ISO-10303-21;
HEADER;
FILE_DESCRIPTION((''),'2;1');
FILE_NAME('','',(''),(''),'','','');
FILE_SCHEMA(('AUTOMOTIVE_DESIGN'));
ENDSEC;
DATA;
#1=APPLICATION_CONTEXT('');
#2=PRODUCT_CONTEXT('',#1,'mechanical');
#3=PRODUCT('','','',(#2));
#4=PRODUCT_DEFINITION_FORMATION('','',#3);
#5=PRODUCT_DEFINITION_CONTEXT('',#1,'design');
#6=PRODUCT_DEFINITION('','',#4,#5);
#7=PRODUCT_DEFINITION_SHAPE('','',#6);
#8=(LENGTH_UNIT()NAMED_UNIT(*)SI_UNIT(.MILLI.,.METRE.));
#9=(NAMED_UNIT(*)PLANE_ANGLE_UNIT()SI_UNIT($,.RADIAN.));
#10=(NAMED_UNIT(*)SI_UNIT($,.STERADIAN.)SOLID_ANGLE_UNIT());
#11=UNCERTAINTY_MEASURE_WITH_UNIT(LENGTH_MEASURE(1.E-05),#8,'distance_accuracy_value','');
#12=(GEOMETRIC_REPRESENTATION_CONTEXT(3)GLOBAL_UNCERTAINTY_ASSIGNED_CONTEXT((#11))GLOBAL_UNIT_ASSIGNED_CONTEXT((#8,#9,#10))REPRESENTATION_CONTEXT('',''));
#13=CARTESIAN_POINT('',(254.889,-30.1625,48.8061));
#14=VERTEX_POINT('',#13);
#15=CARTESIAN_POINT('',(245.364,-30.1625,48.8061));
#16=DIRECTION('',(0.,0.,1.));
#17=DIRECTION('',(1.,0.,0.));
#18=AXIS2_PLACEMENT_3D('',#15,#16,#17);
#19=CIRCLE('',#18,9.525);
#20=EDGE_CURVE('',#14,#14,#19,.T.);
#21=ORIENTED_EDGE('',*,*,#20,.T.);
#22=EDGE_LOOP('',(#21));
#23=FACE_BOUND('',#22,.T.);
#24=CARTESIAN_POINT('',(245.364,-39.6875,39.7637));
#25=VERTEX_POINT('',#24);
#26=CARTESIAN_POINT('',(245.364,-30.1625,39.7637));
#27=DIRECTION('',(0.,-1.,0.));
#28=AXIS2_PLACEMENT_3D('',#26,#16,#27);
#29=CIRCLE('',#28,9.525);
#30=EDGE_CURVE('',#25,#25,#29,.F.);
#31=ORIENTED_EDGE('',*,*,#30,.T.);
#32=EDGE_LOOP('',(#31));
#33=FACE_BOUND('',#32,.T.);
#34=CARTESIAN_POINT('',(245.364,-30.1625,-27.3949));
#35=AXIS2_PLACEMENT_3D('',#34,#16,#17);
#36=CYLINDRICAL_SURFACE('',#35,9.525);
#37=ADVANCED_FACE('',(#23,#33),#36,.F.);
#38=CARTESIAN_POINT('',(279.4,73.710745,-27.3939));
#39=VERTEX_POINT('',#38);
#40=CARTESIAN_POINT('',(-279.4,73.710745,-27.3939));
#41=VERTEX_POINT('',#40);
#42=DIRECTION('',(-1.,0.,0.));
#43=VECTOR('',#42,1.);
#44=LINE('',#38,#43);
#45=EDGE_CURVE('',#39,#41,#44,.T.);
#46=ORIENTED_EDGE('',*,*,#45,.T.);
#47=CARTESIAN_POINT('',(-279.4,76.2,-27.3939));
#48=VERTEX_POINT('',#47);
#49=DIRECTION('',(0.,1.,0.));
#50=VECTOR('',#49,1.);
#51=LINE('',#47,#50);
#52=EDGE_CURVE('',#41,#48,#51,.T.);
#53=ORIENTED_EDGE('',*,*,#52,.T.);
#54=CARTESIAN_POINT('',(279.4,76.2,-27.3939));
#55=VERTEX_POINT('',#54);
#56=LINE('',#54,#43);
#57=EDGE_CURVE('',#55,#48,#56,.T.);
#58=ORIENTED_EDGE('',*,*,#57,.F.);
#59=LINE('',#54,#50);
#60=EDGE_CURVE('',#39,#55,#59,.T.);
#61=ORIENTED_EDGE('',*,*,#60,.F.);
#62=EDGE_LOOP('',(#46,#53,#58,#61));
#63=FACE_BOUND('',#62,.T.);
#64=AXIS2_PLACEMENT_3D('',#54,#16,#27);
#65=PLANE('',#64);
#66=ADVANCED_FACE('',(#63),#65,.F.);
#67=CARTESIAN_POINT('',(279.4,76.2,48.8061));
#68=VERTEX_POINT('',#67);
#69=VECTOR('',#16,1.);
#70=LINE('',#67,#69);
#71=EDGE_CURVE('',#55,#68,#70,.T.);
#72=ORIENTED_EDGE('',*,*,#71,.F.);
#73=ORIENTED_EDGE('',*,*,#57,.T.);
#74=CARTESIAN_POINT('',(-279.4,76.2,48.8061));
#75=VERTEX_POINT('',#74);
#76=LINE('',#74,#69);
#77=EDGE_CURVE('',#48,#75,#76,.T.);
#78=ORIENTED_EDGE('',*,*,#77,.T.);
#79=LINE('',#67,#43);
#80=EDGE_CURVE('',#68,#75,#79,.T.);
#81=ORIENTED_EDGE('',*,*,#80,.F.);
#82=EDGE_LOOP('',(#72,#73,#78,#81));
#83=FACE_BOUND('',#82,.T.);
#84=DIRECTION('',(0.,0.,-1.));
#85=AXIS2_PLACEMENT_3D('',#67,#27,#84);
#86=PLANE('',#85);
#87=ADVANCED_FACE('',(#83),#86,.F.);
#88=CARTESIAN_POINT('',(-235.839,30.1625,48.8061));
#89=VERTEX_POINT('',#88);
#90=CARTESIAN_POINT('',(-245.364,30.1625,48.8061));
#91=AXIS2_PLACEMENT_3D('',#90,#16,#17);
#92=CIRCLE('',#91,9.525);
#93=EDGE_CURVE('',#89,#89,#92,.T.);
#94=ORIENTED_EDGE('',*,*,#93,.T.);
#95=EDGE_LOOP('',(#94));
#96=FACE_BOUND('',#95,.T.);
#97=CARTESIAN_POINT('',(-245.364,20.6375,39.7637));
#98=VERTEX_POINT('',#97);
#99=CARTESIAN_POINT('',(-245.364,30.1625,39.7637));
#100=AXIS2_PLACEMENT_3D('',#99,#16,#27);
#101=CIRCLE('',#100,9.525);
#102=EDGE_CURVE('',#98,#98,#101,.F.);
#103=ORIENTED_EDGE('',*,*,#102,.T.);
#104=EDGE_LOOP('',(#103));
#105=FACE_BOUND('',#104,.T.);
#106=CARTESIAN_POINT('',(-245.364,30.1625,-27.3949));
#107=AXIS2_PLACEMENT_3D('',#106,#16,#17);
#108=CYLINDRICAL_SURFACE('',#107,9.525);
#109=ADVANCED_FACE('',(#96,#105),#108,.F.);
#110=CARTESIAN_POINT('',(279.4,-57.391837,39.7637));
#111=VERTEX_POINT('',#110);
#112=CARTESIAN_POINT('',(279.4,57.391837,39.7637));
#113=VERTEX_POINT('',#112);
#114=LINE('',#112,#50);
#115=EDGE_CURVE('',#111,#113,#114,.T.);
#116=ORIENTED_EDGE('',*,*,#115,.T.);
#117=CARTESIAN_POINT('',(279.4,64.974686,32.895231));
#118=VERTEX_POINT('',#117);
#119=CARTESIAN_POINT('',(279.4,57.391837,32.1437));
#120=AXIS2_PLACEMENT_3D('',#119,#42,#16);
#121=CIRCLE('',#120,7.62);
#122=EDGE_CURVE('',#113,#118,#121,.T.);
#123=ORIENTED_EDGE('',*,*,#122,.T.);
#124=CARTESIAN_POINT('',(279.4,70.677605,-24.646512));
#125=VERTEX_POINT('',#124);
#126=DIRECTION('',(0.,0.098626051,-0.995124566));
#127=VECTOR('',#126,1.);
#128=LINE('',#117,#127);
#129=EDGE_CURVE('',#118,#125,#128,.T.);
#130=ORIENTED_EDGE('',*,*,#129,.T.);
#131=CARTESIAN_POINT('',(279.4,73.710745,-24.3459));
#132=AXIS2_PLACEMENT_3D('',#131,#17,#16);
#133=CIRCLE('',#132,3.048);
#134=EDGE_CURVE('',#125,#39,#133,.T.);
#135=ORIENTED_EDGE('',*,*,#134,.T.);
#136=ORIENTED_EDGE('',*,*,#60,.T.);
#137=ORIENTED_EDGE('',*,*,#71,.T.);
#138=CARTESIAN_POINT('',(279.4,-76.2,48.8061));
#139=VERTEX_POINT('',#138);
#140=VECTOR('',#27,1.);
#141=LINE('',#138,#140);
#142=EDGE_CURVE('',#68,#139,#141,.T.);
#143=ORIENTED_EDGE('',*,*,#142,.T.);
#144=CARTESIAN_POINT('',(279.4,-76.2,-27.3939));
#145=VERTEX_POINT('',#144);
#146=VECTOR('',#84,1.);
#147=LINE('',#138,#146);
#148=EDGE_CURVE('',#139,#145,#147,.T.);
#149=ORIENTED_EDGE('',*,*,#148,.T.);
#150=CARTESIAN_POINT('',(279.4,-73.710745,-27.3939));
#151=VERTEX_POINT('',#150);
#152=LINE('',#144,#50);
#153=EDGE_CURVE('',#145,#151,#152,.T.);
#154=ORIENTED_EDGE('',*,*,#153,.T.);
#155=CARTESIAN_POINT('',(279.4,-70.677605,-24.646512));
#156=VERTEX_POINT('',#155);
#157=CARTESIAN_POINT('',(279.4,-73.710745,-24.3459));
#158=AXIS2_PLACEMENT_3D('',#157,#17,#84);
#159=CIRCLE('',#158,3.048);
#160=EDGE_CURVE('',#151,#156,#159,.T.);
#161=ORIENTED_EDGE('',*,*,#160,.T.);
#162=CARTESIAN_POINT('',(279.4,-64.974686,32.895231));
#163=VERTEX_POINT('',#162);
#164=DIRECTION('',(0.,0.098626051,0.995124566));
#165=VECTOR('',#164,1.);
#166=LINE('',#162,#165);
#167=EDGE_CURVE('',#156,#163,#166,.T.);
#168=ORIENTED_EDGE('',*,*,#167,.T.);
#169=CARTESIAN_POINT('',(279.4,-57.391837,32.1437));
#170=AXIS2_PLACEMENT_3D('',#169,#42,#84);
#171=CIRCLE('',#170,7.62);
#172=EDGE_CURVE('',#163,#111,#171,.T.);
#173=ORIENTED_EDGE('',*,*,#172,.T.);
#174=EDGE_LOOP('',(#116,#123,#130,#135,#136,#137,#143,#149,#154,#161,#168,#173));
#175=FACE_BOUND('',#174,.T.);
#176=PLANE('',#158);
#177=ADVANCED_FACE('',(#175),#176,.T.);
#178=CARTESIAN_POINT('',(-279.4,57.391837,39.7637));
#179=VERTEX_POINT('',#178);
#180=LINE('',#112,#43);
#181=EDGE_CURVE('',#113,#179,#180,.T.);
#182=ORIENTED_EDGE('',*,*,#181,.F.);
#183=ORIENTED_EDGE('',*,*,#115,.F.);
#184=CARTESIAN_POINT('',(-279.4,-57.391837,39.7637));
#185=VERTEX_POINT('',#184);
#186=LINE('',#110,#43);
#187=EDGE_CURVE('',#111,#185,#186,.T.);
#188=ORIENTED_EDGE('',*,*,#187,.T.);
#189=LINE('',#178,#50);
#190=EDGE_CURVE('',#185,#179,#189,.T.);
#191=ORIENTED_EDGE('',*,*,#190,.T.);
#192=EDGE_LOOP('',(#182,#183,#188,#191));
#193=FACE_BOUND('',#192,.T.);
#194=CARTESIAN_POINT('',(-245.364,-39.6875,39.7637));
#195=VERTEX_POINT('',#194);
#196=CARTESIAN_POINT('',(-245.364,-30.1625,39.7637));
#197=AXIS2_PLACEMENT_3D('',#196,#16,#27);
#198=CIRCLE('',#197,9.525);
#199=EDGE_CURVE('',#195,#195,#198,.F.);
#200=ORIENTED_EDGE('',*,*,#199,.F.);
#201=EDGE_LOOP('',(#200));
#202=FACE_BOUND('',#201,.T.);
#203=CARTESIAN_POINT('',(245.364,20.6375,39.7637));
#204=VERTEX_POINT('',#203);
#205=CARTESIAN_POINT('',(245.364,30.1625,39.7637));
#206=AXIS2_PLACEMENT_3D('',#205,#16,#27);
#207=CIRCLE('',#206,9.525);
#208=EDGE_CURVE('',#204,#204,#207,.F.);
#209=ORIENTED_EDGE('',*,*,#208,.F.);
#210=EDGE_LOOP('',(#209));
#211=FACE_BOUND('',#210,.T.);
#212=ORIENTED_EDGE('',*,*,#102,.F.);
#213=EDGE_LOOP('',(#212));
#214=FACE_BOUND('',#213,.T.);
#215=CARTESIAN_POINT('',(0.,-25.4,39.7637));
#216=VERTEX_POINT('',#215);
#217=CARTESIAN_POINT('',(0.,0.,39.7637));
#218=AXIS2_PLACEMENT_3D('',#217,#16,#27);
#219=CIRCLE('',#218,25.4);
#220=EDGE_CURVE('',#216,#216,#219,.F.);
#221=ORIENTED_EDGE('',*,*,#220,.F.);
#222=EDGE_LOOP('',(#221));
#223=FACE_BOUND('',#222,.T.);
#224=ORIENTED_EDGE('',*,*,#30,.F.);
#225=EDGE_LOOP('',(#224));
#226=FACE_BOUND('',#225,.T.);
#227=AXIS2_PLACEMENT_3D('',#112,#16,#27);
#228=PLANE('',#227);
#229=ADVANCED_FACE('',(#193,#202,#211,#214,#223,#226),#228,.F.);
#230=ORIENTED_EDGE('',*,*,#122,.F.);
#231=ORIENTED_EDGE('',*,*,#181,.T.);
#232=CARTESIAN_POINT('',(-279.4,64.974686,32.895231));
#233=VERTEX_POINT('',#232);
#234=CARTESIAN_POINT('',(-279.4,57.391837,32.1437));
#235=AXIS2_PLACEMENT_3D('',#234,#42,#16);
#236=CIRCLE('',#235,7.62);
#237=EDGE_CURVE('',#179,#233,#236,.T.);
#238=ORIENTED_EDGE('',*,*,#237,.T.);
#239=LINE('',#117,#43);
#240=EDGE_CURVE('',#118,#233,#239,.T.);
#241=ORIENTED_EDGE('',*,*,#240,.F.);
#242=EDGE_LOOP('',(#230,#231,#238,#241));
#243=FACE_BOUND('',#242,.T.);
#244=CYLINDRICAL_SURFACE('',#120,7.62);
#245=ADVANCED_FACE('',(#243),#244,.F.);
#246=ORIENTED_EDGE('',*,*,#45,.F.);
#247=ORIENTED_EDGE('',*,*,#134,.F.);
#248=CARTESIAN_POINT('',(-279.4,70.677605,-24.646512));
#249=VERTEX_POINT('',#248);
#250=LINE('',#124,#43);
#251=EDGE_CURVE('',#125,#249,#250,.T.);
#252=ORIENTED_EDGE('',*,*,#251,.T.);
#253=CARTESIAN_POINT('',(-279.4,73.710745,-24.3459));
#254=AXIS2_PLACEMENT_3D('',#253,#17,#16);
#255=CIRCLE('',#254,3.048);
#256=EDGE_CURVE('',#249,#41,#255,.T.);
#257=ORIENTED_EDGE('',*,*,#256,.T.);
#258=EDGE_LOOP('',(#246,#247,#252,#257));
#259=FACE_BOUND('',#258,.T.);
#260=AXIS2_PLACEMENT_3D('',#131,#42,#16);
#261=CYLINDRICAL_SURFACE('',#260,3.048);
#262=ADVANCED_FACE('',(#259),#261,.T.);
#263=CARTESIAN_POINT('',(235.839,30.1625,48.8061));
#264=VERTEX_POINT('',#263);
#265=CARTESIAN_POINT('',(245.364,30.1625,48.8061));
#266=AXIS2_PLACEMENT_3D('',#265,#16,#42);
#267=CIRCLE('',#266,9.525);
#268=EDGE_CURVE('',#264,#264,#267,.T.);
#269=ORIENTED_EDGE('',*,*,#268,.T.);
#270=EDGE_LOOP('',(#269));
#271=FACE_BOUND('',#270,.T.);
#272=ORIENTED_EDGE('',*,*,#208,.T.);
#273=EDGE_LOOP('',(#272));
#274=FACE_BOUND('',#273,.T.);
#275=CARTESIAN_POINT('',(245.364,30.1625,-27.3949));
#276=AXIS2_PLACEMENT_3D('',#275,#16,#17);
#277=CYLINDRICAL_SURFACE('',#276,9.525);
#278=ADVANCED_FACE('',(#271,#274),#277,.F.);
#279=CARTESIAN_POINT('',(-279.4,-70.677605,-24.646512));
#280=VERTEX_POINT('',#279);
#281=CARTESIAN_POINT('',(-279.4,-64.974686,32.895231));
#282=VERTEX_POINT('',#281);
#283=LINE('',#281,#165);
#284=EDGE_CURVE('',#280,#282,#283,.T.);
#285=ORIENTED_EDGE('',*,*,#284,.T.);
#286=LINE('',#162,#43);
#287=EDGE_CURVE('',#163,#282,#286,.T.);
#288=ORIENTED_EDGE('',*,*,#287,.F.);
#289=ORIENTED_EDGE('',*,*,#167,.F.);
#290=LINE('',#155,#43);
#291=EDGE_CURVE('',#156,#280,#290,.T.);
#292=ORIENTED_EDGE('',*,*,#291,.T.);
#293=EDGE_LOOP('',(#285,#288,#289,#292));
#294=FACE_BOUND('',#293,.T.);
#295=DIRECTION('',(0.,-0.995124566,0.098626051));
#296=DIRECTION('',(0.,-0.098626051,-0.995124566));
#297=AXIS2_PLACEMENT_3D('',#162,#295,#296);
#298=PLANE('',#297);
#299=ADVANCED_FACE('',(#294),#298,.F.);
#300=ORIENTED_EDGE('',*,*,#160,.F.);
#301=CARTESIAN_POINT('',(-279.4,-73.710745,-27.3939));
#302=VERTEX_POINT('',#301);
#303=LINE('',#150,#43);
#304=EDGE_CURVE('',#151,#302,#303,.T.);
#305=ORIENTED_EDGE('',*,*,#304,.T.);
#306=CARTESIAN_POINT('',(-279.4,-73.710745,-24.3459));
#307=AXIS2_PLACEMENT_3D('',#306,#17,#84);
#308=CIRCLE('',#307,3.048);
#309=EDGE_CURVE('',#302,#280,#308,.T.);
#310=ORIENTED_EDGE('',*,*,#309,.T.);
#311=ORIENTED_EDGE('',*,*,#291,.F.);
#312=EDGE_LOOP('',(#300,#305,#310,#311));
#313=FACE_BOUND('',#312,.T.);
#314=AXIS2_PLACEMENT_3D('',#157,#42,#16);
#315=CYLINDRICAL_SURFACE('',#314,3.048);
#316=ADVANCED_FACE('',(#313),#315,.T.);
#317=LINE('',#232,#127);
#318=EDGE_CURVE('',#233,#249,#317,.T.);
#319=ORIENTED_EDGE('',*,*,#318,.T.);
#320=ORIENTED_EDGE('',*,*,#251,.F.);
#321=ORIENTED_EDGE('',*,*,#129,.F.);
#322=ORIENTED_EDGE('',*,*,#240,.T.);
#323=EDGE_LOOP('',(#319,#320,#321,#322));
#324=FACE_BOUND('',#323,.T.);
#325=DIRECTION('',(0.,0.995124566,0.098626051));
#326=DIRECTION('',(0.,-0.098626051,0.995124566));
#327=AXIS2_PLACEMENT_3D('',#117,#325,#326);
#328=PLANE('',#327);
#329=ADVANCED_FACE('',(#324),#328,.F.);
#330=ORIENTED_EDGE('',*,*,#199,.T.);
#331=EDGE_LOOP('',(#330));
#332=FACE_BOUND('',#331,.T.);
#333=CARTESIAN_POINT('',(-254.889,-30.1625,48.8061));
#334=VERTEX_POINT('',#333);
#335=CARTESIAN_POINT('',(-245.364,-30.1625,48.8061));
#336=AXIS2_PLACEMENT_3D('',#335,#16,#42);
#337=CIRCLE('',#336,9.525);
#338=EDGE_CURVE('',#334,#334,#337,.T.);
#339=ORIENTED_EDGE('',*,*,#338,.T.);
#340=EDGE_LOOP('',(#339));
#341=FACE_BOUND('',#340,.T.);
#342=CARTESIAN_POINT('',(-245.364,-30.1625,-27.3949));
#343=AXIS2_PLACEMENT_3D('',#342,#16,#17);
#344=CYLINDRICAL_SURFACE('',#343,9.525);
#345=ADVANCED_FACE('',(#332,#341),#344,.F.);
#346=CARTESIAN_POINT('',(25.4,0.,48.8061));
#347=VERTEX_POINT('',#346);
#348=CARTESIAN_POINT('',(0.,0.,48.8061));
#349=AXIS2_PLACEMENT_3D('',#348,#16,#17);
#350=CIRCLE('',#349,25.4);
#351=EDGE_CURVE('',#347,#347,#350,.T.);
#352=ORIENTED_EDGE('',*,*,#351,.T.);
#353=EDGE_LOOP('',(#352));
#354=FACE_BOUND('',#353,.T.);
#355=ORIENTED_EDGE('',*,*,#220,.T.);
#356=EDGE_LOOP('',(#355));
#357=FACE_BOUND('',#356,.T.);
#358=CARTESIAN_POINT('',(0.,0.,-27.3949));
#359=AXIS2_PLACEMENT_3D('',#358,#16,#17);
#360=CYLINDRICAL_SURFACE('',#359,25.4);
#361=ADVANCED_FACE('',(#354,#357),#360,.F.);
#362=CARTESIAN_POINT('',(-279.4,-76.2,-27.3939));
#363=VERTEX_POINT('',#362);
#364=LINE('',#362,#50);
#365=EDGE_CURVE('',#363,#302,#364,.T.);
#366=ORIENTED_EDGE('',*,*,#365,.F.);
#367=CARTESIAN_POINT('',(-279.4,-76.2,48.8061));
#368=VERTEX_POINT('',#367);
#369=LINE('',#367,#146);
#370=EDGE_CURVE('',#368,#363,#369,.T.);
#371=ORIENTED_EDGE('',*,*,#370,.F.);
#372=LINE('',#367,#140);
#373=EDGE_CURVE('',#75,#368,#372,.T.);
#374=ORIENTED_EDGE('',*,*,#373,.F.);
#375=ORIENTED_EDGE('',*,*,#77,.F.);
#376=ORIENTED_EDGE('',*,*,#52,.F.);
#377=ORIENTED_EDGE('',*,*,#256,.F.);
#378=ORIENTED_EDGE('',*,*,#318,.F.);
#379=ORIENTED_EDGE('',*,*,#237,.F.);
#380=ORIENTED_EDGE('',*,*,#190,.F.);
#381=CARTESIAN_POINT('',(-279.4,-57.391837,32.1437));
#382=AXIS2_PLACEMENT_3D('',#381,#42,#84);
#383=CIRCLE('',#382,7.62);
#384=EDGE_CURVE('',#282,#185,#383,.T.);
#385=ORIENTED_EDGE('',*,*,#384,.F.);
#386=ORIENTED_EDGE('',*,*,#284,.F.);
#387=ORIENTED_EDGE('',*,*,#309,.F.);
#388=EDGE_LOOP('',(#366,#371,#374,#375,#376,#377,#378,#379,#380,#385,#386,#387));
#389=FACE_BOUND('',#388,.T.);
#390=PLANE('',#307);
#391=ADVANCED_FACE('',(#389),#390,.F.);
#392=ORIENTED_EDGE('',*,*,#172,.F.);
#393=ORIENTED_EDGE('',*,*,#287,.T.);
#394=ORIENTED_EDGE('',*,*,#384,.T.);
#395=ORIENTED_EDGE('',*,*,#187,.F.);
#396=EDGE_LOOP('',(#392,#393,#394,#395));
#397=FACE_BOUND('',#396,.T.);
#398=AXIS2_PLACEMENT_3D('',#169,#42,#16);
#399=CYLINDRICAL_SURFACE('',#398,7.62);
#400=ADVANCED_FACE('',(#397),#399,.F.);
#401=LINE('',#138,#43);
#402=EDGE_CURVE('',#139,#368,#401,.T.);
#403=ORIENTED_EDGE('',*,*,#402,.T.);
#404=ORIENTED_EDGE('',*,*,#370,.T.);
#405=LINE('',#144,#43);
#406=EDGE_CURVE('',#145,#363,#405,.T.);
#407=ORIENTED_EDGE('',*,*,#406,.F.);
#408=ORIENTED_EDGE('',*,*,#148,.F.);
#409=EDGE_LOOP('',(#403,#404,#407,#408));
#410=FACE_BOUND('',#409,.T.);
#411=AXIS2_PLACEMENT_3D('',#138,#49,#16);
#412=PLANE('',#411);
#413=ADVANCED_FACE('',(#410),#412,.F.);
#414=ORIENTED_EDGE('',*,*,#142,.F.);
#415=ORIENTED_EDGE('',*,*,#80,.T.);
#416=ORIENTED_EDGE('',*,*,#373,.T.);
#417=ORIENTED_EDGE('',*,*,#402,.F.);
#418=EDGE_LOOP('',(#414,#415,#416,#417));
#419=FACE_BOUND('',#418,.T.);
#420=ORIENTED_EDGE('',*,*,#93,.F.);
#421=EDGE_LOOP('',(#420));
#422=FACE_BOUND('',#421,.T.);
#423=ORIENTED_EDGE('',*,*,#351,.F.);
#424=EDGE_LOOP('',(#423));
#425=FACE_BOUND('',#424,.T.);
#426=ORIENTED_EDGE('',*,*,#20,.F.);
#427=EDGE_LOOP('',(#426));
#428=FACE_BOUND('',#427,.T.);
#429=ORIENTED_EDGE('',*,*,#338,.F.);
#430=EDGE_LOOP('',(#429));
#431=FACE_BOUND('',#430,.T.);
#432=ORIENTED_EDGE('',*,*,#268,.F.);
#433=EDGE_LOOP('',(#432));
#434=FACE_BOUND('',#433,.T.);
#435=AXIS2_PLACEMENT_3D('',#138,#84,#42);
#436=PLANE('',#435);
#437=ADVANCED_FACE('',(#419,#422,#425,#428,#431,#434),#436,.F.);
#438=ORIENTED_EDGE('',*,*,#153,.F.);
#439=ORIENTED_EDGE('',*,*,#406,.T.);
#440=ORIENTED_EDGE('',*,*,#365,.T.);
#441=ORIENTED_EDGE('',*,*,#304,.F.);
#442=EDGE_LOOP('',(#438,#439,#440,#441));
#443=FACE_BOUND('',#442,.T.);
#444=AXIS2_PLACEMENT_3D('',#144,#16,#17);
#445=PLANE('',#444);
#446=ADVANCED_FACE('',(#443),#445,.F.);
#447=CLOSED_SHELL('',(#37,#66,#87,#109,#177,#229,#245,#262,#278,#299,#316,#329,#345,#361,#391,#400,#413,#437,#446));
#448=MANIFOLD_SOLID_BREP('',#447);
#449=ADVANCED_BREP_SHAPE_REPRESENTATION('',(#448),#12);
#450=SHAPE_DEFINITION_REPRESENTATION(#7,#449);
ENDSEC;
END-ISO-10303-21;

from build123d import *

# Parameters (mm, degrees)
BOSS_EXTRUDE1_DEPTH = 279.4
CUT_EXTRUDE1_REACH  = 78.2
SKETCH2_R           = 25.4
CUT_EXTRUDE2_REACH  = 78.2
SKETCH3_R           = 9.525


with BuildPart() as part:
    # Sketch1 → Boss-Extrude1 (new body, symmetric)
    with BuildSketch(Plane(origin=(0, 0, 0), x_dir=(0, 0, -1), z_dir=(1, 0, 0))):
        with BuildLine():
            Line((-48.8061, -76.2), (-48.8061, 76.2))
            Line((-48.8061, 76.2), (27.3939, 76.2))
            Line((27.3939, 76.2), (27.3939, 73.710744653))
            ThreePointArc((27.3939, 73.710744653), (26.604945151, 71.66452399), (24.646512202, 70.677604975))
            Line((24.646512202, 70.677604975), (-32.895230506, 64.974685943))
            ThreePointArc((-32.895230506, 64.974685943), (-37.791312879, 62.507388407), (-39.7637, 57.391836749))
            Line((-39.7637, 57.391836749), (-39.7637, -57.391836749))
            ThreePointArc((-39.7637, -57.391836749), (-37.791312879, -62.507388407), (-32.895230506, -64.974685943))
            Line((-32.895230506, -64.974685943), (24.646512202, -70.677604975))
            ThreePointArc((24.646512202, -70.677604975), (26.604945151, -71.66452399), (27.3939, -73.710744653))
            Line((27.3939, -73.710744653), (27.3939, -76.2))
            Line((27.3939, -76.2), (-48.8061, -76.2))
        make_face()
    extrude(amount=BOSS_EXTRUDE1_DEPTH, both=True)

    # Sketch2 → Cut-Extrude1 (cut, up to next)
    with BuildSketch(Plane.XY.offset(48.8061), mode=Mode.PRIVATE) as cut_extrude1_sk1:
        Circle(SKETCH2_R)
    cut_extrude1_tool1 = extrude(cut_extrude1_sk1.sketch, amount=-CUT_EXTRUDE1_REACH, mode=Mode.PRIVATE) & part.part
    add(cut_extrude1_tool1.solids().sort_by_distance((0, 0, 48.8061))[0], mode=Mode.SUBTRACT)

    # Sketch3 → Cut-Extrude2 (cut, up to next)
    with BuildSketch(Plane.XY.offset(48.8061), mode=Mode.PRIVATE) as cut_extrude2_sk1:
        with Locations((-245.364, 30.1625)):
            Circle(SKETCH3_R)
    cut_extrude2_tool1 = extrude(cut_extrude2_sk1.sketch, amount=-CUT_EXTRUDE2_REACH, mode=Mode.PRIVATE) & part.part
    add(cut_extrude2_tool1.solids().sort_by_distance((-245.364, 30.1625, 48.8061))[0], mode=Mode.SUBTRACT)
    # Sketch3 → Cut-Extrude2 (cut, up to next)
    with BuildSketch(Plane.XY.offset(48.8061), mode=Mode.PRIVATE) as cut_extrude2_sk2:
        with Locations((245.364, 30.1625)):
            Circle(SKETCH3_R)
    cut_extrude2_tool2 = extrude(cut_extrude2_sk2.sketch, amount=-CUT_EXTRUDE2_REACH, mode=Mode.PRIVATE) & part.part
    add(cut_extrude2_tool2.solids().sort_by_distance((245.364, 30.1625, 48.8061))[0], mode=Mode.SUBTRACT)
    # Sketch3 → Cut-Extrude2 (cut, up to next)
    with BuildSketch(Plane.XY.offset(48.8061), mode=Mode.PRIVATE) as cut_extrude2_sk3:
        with Locations((245.364, -30.1625)):
            Circle(SKETCH3_R)
    cut_extrude2_tool3 = extrude(cut_extrude2_sk3.sketch, amount=-CUT_EXTRUDE2_REACH, mode=Mode.PRIVATE) & part.part
    add(cut_extrude2_tool3.solids().sort_by_distance((245.364, -30.1625, 48.8061))[0], mode=Mode.SUBTRACT)
    # Sketch3 → Cut-Extrude2 (cut, up to next)
    with BuildSketch(Plane.XY.offset(48.8061), mode=Mode.PRIVATE) as cut_extrude2_sk4:
        with Locations((-245.364, -30.1625)):
            Circle(SKETCH3_R)
    cut_extrude2_tool4 = extrude(cut_extrude2_sk4.sketch, amount=-CUT_EXTRUDE2_REACH, mode=Mode.PRIVATE) & part.part
    add(cut_extrude2_tool4.solids().sort_by_distance((-245.364, -30.1625, 48.8061))[0], mode=Mode.SUBTRACT)


solid = part.part
